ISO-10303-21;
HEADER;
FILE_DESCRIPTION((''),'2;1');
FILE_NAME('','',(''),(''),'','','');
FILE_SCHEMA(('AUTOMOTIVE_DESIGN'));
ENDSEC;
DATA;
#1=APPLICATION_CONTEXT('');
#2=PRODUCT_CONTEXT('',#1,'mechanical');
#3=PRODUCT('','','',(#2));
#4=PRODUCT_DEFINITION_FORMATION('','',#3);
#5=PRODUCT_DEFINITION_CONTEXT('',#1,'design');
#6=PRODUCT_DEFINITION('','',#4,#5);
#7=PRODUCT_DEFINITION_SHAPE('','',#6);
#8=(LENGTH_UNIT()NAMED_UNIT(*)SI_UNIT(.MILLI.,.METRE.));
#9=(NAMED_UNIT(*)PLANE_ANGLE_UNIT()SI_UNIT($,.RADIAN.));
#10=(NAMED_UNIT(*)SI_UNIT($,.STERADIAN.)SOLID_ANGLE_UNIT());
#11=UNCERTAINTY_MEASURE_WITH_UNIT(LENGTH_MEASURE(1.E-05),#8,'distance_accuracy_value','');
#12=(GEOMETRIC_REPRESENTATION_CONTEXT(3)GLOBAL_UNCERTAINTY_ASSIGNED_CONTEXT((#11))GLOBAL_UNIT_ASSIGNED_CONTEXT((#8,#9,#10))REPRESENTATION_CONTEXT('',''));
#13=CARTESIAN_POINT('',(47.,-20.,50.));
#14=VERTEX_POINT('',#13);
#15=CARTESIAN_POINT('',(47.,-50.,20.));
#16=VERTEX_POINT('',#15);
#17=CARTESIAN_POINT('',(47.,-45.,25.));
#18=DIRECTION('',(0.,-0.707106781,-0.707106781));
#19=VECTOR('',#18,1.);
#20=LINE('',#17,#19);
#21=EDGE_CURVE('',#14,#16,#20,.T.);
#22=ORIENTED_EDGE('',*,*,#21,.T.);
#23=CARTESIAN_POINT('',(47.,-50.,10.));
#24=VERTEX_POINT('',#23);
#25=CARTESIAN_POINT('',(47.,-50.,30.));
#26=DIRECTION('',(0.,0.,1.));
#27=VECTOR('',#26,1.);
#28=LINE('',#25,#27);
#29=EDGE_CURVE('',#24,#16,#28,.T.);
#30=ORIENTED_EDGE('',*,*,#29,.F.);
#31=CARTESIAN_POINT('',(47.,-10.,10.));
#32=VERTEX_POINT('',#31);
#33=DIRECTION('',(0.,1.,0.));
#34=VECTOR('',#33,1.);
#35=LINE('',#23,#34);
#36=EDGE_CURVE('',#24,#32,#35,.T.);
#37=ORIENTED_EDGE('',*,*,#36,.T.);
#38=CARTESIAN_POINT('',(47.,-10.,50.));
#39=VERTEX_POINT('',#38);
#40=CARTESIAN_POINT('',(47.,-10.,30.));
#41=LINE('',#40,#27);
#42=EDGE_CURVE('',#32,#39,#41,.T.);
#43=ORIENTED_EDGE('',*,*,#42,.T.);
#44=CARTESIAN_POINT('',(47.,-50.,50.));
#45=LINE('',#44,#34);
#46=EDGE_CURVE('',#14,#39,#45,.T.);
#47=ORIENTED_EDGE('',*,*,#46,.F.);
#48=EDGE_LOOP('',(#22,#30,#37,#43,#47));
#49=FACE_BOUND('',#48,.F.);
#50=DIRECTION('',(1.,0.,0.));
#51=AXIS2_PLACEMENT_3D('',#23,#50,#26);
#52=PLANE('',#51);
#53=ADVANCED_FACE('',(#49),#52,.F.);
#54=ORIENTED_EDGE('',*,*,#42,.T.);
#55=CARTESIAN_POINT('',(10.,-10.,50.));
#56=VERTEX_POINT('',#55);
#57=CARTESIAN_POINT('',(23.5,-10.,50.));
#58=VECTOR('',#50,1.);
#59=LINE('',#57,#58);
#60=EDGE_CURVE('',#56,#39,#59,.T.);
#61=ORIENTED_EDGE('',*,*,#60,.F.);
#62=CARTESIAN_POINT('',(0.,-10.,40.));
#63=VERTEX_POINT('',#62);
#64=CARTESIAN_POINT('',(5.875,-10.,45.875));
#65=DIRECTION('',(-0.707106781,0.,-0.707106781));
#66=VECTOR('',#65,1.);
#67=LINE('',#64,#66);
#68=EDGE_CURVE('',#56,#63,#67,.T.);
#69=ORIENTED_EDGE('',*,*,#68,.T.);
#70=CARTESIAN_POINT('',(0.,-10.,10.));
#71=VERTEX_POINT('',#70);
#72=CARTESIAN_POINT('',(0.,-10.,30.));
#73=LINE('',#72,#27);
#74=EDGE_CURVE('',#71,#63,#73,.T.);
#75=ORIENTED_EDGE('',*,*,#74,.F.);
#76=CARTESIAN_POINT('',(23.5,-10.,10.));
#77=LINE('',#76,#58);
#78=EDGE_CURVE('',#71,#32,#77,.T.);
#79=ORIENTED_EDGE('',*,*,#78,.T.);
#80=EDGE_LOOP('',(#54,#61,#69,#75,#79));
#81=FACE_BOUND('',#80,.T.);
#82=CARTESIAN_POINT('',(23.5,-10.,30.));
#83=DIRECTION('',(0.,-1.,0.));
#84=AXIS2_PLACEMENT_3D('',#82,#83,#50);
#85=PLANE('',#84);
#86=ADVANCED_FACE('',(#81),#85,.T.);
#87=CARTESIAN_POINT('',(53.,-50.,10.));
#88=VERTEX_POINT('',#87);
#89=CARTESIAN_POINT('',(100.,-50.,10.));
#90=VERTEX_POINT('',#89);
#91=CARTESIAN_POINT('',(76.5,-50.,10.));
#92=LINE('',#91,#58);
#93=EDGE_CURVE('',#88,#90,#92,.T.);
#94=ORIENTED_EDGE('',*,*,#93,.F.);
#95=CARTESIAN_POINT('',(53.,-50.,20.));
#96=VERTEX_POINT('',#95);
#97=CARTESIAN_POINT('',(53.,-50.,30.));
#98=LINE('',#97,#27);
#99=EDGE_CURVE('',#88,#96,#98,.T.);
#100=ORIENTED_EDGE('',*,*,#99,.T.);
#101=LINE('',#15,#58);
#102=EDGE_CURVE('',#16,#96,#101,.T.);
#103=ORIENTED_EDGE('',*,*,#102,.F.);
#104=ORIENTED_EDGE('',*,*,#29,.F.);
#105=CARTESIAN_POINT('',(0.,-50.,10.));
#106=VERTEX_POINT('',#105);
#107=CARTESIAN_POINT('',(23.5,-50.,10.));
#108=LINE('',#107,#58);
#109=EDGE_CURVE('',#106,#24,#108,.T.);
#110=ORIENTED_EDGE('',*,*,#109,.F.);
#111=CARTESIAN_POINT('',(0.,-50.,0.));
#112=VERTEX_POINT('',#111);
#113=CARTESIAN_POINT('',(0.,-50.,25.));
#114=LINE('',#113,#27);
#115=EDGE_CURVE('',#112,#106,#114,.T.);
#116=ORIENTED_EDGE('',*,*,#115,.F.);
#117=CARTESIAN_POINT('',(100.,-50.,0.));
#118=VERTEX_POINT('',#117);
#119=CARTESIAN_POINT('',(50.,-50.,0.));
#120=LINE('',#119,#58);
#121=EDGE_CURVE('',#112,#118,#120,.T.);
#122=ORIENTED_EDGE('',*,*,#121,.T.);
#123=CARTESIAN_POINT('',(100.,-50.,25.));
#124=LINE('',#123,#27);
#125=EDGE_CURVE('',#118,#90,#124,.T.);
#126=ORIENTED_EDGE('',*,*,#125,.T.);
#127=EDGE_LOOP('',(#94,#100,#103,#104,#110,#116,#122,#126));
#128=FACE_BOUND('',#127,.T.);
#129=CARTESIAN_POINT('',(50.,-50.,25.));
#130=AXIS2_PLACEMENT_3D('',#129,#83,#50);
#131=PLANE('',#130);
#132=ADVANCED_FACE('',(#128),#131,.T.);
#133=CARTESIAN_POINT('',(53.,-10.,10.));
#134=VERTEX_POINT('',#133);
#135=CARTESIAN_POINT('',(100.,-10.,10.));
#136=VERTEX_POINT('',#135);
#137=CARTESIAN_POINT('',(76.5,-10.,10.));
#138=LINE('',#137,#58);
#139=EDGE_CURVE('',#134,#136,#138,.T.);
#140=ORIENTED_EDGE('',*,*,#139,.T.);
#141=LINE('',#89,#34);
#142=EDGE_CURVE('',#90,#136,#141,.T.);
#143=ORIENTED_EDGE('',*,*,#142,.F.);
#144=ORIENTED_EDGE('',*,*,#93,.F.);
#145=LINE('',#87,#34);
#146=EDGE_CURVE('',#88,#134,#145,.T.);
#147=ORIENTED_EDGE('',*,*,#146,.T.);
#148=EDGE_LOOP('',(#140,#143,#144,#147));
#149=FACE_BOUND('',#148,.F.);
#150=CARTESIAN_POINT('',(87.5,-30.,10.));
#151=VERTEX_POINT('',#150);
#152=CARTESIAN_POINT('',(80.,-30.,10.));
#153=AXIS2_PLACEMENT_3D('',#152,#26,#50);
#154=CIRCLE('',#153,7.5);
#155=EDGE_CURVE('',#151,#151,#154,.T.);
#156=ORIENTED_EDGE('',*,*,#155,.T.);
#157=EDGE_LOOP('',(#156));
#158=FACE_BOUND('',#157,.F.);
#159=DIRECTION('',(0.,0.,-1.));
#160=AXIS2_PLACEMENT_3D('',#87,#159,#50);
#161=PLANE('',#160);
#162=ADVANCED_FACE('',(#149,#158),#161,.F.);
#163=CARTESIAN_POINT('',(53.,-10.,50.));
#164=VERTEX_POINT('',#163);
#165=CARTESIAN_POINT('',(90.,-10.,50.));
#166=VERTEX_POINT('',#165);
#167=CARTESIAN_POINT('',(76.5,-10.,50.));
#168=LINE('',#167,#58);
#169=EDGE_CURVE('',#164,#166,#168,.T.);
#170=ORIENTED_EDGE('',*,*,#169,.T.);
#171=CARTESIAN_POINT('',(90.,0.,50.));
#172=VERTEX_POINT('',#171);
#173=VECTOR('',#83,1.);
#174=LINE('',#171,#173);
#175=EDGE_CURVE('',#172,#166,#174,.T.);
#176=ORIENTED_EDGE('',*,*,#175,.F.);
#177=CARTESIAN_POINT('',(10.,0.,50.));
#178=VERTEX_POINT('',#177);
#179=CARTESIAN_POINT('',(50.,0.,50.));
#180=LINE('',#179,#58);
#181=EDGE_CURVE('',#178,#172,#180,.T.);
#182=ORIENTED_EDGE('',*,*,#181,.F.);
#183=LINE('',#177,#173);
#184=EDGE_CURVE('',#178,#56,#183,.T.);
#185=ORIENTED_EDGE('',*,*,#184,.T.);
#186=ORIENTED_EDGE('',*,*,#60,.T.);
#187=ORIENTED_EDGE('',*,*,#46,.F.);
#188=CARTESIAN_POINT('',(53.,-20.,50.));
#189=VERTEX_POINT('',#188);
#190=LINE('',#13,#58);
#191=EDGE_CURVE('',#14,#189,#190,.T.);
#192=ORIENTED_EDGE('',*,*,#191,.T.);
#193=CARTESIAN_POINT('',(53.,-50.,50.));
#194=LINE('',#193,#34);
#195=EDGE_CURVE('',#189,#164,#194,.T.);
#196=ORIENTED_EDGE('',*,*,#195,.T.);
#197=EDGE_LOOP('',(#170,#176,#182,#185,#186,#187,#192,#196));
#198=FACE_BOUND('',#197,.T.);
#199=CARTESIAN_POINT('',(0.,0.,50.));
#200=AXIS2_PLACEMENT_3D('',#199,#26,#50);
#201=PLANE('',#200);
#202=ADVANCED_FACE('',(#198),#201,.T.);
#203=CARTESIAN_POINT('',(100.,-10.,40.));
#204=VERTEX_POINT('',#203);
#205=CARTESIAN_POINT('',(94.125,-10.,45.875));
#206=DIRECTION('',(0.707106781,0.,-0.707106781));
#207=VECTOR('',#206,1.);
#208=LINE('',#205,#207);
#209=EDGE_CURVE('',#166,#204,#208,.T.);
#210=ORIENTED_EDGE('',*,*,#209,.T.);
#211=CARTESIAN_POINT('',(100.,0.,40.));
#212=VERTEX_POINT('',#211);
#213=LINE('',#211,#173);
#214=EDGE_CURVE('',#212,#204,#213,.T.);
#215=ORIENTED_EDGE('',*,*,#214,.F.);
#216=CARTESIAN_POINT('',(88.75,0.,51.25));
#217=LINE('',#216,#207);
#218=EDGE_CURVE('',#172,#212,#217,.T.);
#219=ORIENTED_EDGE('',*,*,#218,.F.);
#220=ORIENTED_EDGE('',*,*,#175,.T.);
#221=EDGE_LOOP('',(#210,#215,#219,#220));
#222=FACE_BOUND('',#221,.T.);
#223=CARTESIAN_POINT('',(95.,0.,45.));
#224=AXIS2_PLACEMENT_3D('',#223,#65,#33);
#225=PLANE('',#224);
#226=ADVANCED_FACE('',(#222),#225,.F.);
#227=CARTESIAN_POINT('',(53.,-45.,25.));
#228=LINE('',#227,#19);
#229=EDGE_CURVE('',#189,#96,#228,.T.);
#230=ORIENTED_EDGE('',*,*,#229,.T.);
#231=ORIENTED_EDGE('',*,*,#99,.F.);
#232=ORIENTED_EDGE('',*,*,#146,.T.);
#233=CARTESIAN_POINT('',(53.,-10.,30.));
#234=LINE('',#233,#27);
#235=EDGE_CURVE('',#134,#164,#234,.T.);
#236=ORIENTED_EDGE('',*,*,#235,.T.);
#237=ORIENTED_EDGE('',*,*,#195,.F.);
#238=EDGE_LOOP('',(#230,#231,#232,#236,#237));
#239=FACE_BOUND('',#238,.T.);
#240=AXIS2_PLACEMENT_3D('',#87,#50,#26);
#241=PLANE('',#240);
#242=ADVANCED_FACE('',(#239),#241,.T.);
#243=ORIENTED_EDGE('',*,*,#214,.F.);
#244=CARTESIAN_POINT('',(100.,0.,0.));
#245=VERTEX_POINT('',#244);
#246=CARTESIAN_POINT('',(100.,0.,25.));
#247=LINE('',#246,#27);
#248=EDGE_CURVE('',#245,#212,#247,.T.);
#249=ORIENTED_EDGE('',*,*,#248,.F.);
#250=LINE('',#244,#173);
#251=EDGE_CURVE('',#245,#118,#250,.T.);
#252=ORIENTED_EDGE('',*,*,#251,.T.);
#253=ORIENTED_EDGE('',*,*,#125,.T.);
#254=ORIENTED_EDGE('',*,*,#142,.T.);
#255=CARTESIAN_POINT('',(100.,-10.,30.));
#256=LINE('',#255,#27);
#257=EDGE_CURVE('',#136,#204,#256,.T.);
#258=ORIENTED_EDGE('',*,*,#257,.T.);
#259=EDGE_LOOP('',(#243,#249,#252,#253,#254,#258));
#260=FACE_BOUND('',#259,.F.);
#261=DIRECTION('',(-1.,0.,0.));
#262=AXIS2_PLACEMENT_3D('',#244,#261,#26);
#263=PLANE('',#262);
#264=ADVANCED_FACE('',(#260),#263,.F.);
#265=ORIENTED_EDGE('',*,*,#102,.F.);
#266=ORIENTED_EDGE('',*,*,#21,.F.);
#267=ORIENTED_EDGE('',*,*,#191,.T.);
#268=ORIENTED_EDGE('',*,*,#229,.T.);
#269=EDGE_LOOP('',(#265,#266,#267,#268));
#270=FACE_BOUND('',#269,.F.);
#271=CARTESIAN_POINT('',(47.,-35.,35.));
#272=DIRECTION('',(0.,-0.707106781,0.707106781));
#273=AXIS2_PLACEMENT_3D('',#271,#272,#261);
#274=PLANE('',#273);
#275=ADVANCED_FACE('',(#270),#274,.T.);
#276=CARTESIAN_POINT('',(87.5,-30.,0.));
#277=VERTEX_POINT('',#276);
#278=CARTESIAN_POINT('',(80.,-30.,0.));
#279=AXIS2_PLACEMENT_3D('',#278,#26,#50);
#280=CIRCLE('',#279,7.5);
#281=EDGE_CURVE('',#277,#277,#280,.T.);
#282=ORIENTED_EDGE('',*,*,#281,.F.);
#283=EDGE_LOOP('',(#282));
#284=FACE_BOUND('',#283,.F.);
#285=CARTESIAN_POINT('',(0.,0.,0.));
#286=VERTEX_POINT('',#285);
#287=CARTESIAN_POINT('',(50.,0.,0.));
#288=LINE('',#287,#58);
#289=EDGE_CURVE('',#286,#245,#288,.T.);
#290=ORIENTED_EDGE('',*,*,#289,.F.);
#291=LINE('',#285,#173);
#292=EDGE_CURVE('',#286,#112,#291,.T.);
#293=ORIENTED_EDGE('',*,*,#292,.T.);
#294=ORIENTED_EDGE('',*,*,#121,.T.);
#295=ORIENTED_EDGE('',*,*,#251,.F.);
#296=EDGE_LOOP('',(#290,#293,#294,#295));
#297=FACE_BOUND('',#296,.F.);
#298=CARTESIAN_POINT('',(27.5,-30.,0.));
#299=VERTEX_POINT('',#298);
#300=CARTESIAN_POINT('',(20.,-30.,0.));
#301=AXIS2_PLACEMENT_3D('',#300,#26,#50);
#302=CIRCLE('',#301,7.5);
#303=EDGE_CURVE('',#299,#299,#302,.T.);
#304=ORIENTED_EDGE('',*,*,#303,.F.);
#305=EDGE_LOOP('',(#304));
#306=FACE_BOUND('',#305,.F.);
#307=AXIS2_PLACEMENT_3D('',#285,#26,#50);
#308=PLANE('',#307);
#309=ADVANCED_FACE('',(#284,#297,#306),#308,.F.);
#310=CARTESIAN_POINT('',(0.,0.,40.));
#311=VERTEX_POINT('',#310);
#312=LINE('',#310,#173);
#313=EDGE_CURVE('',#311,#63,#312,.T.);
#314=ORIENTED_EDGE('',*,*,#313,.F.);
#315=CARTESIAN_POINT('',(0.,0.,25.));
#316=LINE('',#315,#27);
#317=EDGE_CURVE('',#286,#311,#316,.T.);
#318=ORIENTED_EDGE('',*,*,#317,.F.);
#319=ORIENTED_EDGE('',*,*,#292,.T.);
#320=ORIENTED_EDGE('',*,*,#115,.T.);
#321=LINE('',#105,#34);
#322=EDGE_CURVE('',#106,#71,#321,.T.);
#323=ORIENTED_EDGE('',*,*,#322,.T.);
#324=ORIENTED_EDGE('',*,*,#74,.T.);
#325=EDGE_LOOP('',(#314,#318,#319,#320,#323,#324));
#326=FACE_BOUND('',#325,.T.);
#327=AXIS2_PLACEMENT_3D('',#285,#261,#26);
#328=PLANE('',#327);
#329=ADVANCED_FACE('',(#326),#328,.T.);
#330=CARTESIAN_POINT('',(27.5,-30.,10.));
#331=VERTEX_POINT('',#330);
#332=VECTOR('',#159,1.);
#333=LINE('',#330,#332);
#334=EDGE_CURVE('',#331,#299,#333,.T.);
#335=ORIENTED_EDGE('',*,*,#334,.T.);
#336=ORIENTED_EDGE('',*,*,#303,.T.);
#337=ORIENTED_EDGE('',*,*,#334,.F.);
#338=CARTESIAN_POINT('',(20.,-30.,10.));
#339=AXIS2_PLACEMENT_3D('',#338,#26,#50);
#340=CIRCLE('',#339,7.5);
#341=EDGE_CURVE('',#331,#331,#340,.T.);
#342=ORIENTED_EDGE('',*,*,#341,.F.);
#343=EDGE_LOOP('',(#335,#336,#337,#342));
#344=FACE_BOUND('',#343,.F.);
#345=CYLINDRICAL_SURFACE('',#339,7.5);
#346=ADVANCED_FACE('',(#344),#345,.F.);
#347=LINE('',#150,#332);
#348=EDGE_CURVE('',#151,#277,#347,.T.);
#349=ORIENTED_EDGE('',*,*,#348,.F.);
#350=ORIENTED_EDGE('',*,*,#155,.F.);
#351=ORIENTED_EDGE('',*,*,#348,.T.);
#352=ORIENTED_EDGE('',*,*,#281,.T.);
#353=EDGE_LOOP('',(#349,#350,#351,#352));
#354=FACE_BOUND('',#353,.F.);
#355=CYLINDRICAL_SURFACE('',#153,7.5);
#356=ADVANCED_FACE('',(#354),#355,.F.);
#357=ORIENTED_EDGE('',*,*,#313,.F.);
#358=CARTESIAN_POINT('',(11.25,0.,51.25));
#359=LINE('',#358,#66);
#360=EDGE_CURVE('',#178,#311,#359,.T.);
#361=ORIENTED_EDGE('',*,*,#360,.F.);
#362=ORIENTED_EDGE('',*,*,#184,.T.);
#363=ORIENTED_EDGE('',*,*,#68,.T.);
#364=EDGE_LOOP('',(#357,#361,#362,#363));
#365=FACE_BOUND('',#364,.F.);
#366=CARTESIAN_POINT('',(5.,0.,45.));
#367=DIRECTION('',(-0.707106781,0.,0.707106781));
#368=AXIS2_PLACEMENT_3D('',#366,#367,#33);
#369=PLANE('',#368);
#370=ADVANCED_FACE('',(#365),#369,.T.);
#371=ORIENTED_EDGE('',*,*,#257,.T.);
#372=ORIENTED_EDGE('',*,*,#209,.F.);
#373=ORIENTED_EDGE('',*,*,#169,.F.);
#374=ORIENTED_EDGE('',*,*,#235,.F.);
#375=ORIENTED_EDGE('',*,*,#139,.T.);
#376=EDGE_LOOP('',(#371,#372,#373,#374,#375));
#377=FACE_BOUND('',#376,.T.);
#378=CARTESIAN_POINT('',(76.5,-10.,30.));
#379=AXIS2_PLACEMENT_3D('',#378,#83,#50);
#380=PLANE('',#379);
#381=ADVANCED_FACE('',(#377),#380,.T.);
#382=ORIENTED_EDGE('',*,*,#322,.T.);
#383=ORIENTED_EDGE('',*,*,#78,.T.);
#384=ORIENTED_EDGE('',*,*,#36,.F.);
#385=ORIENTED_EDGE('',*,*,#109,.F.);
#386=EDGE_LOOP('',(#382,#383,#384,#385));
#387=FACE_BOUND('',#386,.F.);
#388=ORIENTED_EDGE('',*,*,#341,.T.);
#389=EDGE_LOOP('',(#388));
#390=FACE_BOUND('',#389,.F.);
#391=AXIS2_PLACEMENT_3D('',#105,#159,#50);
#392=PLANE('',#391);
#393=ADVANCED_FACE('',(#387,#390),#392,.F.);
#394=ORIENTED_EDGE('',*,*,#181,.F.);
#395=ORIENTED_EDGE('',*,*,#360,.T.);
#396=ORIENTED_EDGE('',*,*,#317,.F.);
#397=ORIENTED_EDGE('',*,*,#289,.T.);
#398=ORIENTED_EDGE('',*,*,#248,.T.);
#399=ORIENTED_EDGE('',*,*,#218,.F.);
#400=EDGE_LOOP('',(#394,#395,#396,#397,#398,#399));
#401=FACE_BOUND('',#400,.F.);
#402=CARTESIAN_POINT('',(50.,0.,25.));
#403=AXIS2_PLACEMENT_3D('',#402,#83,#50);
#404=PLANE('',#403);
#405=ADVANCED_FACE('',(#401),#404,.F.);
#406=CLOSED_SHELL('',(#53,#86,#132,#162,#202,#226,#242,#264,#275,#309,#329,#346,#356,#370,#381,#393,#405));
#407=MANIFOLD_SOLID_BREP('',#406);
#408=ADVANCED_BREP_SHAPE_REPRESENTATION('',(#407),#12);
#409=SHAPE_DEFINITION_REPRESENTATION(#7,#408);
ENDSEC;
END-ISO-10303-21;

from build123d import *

# Parameters (mm, degrees)
F0_W     = 100
F0_H     = 50
F1_DEPTH = 50
F2_W     = 47
F2_H     = 40
F3_DEPTH = 40
F4_SIZE  = 30
F5_R     = 7.5
F6_DEPTH = 10.001
F7_SIZE  = 10


with BuildPart() as f1:
    # F0 (on Front) → F1 (new body)
    with BuildSketch(Plane.XZ):
        with Locations((50, 25)):
            Rectangle(F0_W, F0_H)
    extrude(amount=F1_DEPTH)

    # F2 (on face) → F3 (cut)
    with BuildSketch(Plane.XZ.offset(50)):
        with Locations((23.5, 30)):
            Rectangle(F2_W, F2_H)
        with Locations((76.5, 30)):
            Rectangle(F2_W, F2_H)
    extrude(amount=-F3_DEPTH, mode=Mode.SUBTRACT)

    # F4
    f4_edges = [f1.edges().sort_by_distance(p)[0] for p in [
        (50, -50, 50),
    ]]
    chamfer(f4_edges, length=F4_SIZE)

    # F5 (on face) → F6 (cut, through all)
    with BuildSketch(Plane.XY.offset(10)):
        with Locations((20, -30)):
            Circle(F5_R)
        with Locations((80, -30)):
            Circle(F5_R)
    extrude(amount=-F6_DEPTH, mode=Mode.SUBTRACT)

    # F7
    f7_edges = [f1.edges().sort_by_distance(p)[0] for p in [
        (100, -5, 50),
        (0, -5, 50),
    ]]
    chamfer(f7_edges, length=F7_SIZE)


solid = f1.part
